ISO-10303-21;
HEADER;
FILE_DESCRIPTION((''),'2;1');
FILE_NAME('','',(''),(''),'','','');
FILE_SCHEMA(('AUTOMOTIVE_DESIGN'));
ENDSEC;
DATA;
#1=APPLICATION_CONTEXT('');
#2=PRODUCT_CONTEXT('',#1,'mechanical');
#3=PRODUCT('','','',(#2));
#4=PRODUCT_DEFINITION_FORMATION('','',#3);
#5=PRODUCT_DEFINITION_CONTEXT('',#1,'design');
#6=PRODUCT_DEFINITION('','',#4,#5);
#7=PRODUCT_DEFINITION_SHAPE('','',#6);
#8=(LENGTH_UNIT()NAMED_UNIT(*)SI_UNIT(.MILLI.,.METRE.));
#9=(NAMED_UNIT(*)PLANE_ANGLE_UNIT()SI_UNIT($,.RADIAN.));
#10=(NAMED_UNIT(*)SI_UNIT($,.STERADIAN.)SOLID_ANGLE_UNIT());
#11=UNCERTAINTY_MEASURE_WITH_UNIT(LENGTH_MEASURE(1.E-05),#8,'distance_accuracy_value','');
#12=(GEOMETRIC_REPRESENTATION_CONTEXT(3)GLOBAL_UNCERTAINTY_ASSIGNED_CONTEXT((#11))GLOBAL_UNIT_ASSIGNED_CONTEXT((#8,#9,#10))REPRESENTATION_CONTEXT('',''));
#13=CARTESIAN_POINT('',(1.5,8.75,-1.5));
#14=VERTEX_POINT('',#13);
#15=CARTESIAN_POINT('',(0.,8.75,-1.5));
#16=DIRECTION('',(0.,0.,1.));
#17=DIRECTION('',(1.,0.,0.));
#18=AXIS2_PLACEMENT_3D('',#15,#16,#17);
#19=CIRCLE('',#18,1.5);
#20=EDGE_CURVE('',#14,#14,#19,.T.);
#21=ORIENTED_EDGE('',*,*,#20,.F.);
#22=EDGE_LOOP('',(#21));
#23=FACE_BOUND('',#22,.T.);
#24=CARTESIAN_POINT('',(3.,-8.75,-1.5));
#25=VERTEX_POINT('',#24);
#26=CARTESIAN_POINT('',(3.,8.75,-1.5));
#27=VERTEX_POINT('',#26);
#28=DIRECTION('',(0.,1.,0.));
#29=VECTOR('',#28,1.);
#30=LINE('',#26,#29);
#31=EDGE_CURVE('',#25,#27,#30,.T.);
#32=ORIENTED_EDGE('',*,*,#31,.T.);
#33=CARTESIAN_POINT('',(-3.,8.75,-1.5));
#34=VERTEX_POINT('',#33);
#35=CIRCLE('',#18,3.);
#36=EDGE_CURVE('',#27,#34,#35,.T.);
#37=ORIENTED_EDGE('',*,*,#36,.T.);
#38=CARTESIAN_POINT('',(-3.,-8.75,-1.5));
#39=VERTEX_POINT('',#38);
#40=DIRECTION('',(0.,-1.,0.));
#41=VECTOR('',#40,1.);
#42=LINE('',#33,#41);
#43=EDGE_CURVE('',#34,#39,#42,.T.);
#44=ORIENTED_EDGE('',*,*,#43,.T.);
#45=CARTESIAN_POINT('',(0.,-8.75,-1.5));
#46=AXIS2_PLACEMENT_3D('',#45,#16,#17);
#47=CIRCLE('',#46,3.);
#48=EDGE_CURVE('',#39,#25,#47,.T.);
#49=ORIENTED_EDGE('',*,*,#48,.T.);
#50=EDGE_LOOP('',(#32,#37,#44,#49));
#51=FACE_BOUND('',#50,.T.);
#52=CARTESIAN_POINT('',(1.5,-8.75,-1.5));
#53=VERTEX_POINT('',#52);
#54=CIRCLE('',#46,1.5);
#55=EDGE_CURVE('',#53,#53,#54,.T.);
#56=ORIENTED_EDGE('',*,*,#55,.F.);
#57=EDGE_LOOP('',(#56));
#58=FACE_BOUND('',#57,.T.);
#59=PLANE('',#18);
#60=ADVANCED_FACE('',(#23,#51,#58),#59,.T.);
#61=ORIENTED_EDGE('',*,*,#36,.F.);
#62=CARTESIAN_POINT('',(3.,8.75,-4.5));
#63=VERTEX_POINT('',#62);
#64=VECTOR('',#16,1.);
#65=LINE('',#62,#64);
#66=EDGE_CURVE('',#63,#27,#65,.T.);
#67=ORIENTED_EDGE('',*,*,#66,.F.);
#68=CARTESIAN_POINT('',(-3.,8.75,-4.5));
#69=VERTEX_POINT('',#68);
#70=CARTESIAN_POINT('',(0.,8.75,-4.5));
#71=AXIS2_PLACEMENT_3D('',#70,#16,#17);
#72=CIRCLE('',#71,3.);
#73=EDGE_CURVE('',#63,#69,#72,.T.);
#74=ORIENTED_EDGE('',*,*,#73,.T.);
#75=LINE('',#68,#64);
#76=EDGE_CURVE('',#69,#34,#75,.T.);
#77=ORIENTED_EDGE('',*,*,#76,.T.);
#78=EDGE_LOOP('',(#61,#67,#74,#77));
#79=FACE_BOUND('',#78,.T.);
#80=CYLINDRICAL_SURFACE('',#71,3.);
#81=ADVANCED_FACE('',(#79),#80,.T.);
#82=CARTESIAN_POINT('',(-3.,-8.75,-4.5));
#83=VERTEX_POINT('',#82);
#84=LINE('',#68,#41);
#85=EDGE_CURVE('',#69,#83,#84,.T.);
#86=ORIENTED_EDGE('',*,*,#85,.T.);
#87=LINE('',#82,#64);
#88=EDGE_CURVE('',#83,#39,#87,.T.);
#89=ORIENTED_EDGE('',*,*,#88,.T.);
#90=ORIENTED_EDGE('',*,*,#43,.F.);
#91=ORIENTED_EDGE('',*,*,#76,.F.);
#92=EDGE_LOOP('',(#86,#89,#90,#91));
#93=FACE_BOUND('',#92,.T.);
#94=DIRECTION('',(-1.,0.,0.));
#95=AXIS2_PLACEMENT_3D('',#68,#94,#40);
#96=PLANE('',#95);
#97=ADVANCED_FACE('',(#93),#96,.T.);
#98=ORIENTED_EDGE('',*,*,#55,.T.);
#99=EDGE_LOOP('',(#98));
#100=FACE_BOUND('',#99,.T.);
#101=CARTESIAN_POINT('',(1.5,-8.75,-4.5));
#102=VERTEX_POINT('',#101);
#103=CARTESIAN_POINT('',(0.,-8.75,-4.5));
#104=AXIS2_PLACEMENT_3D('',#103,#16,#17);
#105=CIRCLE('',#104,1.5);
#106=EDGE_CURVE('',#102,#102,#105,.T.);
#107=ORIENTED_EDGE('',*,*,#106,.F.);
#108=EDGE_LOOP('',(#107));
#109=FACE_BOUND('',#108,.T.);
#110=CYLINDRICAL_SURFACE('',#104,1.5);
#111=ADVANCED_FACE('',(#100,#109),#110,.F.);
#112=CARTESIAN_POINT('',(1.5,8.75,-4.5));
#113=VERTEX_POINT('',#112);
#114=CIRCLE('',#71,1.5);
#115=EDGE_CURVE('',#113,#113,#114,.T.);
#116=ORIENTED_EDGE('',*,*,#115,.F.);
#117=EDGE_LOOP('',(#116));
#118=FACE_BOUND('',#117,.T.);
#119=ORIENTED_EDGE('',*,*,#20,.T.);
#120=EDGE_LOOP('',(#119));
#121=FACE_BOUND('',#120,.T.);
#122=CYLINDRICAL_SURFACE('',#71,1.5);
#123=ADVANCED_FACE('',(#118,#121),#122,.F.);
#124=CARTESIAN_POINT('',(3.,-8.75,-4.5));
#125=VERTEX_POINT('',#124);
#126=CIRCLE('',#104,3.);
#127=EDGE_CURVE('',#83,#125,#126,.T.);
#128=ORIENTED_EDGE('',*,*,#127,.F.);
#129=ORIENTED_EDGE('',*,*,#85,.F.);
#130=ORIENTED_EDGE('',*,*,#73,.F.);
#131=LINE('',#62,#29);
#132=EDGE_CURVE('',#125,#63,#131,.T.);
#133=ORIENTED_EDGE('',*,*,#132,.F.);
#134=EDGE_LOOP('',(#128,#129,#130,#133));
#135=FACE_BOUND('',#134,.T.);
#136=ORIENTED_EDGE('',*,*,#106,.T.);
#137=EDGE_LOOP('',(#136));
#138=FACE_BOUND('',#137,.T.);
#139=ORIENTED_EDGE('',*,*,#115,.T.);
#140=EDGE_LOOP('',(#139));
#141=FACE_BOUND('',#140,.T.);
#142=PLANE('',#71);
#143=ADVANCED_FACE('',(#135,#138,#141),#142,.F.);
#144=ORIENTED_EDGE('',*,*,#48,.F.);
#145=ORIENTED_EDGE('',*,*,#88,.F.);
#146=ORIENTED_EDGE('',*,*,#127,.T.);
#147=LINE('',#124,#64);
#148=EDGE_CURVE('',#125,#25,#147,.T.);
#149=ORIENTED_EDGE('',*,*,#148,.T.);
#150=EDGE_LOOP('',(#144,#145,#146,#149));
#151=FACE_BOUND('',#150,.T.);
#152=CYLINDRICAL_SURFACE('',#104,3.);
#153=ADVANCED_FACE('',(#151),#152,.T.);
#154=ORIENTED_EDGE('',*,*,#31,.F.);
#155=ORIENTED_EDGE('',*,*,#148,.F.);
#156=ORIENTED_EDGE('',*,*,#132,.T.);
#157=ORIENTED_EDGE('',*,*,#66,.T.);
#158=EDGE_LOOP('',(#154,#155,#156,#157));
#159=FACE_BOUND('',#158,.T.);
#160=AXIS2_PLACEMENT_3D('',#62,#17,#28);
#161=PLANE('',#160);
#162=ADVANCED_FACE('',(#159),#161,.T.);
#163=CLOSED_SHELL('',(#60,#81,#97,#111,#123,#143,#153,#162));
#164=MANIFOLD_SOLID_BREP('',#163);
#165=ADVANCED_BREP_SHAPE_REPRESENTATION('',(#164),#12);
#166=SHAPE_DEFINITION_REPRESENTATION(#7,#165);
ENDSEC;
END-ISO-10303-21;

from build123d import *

# Parameters (mm, degrees)
SKETCH1_R           = 3
BOSS_EXTRUDE1_DEPTH = 6
SCALE1_SCALE        = 0.5


with BuildPart() as part:
    # Sketch1 → Boss-Extrude1 (new body)
    with BuildSketch(Plane.XY):
        with BuildLine():
            Line((6, 17.5), (6, -17.5))
            ThreePointArc((6, -17.5), (0, -23.5), (-6, -17.5))
            Line((-6, -17.5), (-6, 17.5))
            ThreePointArc((-6, 17.5), (0, 23.5), (6, 17.5))
        make_face()
        with Locations((0, 17.5)):
            Circle(SKETCH1_R, mode=Mode.SUBTRACT)
        with Locations((0, -17.5)):
            Circle(SKETCH1_R, mode=Mode.SUBTRACT)
    extrude(amount=-BOSS_EXTRUDE1_DEPTH)


with BuildPart() as part_1:
    # Scale1: scaled about (0, 0, -3)
    add(part.part.scale(SCALE1_SCALE).moved(Location((0, 0, -1.5))))


solid = part_1.part
